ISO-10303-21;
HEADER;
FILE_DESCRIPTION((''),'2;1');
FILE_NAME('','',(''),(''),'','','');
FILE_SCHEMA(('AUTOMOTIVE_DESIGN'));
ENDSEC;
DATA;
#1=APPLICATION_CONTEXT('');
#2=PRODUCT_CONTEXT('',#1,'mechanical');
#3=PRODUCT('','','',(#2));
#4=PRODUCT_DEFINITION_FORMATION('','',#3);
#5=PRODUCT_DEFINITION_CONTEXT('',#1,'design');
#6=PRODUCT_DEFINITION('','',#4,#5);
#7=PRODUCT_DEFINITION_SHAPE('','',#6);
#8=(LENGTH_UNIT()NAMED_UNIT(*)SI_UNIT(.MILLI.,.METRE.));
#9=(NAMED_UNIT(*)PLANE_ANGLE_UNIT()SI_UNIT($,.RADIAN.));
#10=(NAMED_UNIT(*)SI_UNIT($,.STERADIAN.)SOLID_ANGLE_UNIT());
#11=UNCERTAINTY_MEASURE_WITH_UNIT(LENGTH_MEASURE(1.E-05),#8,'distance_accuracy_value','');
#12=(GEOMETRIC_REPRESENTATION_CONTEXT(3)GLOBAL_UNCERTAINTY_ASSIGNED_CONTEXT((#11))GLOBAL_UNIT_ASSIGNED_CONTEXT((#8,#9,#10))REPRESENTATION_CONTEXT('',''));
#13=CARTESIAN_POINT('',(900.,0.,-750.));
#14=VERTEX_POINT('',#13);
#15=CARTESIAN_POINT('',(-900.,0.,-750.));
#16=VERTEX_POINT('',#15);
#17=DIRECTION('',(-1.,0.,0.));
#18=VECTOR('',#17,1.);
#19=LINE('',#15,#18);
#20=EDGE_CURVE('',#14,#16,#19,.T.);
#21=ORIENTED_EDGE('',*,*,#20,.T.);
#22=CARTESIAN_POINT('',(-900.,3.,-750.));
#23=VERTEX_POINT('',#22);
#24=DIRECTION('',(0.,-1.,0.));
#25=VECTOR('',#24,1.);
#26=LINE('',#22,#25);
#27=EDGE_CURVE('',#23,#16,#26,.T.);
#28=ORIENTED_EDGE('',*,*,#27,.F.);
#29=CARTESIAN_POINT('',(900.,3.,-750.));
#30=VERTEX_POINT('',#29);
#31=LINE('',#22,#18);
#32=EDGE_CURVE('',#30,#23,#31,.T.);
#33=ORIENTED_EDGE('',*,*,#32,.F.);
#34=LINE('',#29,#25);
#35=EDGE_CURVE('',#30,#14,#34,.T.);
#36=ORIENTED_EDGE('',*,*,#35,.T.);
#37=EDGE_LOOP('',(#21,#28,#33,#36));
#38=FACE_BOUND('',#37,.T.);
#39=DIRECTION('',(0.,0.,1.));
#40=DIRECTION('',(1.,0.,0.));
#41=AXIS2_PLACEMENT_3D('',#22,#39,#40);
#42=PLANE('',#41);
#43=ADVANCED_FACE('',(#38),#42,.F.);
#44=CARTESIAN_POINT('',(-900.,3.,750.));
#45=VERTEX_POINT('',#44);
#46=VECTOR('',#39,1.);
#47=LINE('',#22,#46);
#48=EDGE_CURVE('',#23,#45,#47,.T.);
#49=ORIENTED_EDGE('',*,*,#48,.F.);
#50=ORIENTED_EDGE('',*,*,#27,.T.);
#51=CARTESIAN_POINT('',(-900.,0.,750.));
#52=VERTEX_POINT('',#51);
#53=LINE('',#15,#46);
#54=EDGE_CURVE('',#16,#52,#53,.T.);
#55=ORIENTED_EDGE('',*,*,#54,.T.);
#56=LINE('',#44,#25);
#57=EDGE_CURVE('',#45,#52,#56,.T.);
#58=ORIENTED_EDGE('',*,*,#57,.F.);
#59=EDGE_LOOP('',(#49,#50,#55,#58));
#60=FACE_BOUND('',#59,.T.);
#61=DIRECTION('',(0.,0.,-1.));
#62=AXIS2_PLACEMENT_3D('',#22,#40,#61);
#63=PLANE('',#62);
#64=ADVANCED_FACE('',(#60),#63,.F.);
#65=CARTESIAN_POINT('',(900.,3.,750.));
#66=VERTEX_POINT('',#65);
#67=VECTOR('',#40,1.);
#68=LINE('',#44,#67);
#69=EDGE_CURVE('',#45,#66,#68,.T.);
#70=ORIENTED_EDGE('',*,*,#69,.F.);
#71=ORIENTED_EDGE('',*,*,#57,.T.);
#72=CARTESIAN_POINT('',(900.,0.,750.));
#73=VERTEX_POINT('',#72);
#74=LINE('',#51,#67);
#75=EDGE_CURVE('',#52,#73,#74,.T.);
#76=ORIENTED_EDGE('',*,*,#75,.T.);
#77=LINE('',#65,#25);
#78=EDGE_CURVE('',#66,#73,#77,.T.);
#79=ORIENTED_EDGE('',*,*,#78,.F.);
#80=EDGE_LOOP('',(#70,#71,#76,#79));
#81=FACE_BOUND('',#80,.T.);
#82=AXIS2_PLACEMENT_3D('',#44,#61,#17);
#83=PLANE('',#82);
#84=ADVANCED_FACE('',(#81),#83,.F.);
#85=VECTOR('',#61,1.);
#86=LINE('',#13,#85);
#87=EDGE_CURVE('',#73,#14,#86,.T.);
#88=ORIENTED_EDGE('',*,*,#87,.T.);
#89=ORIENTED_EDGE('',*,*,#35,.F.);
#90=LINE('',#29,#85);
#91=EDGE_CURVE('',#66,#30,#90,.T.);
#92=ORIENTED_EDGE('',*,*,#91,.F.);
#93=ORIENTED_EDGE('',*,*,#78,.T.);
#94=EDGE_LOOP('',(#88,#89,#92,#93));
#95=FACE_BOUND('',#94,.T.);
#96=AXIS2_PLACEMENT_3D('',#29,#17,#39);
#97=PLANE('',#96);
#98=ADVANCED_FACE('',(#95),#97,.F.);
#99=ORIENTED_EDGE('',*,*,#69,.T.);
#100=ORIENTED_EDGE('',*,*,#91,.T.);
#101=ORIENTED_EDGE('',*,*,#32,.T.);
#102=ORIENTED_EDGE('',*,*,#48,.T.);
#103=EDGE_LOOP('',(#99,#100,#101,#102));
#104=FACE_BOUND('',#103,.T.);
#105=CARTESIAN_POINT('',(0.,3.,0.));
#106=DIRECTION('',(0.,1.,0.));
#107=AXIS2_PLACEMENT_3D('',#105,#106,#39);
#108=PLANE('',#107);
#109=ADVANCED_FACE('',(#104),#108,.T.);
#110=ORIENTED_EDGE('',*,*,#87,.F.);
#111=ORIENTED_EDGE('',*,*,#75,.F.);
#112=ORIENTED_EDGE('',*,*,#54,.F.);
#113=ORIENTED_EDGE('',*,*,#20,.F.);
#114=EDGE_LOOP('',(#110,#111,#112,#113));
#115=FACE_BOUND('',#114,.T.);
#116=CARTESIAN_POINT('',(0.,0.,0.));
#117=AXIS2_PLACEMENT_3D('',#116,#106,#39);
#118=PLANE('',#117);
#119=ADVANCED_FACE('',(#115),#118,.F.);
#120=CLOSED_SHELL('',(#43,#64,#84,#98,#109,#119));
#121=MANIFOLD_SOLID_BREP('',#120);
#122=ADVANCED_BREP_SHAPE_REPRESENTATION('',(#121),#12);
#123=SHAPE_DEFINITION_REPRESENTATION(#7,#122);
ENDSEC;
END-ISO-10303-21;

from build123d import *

# Parameters (mm, degrees)
SKETCH_2_W      = 1800
SKETCH_2_H      = 1500
EXTRUDE_1_DEPTH = 3


with BuildPart() as part:
    # 草图2 → 凸台-拉伸1 (new body)
    with BuildSketch(Plane(origin=(0, 0, 0), x_dir=(1, 0, 0), z_dir=(0, 1, 0))):
        Rectangle(SKETCH_2_W, SKETCH_2_H)
    extrude(amount=EXTRUDE_1_DEPTH)


solid = part.part
